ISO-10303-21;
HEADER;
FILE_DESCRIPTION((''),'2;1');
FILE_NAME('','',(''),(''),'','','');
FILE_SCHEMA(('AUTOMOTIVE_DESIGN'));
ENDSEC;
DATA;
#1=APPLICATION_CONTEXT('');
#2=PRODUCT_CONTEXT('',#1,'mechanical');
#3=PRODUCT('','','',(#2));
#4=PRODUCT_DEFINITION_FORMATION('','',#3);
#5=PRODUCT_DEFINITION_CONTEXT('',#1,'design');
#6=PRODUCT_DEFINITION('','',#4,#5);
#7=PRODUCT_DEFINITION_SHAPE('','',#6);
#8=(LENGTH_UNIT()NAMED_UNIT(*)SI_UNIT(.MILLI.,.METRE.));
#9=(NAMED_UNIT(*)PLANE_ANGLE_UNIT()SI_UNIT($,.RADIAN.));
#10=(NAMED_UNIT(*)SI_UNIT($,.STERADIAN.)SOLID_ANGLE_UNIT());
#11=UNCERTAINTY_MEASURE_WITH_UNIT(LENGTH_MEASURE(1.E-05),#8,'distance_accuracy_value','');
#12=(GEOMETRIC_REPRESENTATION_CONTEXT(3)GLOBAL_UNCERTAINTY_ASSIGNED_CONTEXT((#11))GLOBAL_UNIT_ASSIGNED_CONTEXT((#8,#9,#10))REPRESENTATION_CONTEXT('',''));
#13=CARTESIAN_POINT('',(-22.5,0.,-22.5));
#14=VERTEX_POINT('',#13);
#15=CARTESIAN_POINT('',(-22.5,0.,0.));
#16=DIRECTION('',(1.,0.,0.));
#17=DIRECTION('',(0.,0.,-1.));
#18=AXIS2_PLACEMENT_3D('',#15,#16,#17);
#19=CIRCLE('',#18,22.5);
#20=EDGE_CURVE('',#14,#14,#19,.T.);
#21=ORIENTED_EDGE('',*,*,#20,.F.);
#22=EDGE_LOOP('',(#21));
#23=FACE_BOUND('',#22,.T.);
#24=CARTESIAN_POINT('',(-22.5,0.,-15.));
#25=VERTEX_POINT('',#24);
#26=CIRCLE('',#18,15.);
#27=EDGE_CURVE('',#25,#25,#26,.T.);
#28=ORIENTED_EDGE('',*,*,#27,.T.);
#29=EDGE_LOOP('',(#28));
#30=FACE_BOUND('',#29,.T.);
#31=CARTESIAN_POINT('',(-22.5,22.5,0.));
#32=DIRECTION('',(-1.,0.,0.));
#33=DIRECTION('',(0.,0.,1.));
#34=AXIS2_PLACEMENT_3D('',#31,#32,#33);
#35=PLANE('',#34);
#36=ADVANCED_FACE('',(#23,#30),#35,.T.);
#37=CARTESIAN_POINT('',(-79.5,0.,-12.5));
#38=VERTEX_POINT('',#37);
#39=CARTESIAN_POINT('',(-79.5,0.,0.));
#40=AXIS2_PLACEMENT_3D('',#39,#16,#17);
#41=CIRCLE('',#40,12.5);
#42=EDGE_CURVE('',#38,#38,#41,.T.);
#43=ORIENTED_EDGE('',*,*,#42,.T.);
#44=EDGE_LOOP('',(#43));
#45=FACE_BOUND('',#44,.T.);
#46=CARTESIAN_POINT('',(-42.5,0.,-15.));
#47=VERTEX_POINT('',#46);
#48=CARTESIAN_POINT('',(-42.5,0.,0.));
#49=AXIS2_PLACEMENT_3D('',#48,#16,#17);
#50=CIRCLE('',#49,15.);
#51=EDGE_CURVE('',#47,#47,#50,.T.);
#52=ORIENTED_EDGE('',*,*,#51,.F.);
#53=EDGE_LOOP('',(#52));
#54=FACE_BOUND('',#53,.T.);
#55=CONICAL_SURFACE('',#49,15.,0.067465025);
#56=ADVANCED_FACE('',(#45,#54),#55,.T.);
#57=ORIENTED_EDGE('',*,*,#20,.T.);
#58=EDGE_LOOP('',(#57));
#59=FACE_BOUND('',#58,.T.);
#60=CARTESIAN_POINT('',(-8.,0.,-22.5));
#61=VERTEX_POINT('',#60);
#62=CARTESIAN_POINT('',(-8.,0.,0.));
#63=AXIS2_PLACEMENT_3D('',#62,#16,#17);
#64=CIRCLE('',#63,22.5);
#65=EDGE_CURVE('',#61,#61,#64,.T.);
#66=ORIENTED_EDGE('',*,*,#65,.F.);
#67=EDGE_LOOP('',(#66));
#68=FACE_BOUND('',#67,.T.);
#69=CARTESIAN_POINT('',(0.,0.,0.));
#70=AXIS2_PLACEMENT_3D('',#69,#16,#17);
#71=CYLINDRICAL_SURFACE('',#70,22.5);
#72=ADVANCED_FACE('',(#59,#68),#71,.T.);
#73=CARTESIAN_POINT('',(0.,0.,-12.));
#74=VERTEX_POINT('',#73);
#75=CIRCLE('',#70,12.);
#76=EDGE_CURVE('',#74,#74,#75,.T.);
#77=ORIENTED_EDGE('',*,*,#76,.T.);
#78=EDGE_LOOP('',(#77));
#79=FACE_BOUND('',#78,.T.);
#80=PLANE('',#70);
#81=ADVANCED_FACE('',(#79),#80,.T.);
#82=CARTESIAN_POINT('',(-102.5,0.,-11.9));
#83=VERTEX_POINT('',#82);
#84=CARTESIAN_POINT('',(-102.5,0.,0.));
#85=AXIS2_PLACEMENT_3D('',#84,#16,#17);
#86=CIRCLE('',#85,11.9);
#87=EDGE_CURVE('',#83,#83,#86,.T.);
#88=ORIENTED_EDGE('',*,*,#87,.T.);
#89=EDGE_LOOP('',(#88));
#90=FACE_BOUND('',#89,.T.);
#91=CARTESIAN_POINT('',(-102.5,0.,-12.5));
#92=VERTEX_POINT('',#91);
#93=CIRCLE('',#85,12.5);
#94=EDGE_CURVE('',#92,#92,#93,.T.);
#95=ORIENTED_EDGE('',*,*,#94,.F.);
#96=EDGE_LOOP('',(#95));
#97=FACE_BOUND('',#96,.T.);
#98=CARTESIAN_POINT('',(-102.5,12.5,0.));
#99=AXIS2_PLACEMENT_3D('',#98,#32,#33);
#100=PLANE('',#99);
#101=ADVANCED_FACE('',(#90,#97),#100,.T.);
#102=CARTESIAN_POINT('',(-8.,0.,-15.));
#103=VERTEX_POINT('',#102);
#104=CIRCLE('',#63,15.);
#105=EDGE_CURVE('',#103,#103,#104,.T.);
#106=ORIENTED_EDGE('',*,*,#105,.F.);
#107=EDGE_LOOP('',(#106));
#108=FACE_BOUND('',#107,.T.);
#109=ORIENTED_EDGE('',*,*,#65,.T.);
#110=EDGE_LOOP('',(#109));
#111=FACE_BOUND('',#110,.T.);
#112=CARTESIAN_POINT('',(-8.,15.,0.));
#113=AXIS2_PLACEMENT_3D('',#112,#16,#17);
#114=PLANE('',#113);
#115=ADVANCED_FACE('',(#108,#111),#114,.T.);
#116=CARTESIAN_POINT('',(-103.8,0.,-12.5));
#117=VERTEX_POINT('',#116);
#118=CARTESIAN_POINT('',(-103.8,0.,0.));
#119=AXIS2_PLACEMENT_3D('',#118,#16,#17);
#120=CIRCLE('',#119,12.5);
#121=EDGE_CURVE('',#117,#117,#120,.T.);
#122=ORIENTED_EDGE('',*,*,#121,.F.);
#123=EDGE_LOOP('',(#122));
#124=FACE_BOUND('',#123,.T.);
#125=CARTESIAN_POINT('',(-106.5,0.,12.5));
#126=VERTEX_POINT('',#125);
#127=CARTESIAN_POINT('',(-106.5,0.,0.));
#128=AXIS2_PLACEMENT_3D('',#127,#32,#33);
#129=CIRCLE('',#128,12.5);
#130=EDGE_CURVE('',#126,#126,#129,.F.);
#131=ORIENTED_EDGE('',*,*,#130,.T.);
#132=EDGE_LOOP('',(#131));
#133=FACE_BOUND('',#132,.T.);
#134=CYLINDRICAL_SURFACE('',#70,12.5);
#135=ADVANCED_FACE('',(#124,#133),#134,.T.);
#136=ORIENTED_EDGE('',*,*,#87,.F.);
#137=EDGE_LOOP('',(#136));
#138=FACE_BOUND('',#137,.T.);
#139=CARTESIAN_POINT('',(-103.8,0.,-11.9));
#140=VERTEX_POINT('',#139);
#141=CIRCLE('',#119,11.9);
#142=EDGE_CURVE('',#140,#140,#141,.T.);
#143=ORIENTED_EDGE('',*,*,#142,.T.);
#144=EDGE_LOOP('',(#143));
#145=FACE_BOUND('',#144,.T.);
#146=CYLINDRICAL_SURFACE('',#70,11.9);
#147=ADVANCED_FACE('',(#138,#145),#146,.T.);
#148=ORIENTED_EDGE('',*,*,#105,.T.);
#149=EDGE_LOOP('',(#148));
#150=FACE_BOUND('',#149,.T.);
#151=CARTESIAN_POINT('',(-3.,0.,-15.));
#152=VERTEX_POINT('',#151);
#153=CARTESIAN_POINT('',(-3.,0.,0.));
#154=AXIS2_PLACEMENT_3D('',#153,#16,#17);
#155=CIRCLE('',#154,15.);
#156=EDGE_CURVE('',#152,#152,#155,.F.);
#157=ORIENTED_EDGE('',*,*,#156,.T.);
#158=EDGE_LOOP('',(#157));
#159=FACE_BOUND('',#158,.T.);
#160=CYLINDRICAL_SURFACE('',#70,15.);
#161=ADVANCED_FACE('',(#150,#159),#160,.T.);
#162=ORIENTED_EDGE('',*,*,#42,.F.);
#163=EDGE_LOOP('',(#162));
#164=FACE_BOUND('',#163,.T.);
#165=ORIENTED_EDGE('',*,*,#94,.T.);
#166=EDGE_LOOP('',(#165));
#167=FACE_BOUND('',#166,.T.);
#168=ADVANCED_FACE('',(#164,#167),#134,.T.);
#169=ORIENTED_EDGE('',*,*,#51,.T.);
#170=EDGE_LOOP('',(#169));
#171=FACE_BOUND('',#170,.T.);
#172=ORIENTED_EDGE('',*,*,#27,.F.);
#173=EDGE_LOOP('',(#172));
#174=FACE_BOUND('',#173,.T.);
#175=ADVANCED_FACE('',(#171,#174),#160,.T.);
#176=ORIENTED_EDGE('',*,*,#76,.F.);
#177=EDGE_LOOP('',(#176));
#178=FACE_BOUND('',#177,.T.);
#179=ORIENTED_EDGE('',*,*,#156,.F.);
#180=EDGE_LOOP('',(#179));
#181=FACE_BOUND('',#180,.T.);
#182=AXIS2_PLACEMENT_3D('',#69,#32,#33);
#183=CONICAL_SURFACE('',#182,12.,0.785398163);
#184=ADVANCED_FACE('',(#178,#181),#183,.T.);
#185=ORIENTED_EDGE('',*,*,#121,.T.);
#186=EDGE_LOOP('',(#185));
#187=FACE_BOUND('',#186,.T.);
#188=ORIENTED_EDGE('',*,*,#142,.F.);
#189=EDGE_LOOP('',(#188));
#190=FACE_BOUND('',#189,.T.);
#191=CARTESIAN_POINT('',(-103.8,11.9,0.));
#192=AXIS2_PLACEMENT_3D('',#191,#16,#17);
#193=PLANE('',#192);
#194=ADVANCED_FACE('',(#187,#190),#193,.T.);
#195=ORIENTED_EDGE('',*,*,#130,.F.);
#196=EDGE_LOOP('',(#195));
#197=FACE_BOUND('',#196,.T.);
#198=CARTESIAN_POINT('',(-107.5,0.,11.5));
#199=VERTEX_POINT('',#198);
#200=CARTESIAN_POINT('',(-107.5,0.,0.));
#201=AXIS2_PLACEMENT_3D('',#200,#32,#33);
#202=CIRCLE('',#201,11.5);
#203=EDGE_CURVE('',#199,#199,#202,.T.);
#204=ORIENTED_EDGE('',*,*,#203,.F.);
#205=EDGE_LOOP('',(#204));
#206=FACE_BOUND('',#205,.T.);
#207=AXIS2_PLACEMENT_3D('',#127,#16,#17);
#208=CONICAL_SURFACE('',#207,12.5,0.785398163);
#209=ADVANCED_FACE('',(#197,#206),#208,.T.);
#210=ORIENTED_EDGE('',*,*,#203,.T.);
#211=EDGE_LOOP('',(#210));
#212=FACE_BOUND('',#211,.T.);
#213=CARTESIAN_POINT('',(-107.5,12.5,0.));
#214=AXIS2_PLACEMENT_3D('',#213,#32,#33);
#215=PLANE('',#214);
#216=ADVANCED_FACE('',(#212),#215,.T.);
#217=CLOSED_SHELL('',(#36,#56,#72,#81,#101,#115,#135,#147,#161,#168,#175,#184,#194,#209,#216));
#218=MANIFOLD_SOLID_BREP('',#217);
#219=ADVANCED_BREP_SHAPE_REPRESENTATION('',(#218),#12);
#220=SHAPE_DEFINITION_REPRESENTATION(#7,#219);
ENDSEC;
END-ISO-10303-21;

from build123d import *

# Parameters (mm, degrees)
CHANFREIN1_SIZE = 1
CHANFREIN2_SIZE = 3


with BuildPart() as part:
    # Esquisse1 → Révolution1 (revolve)
    with BuildSketch(Plane.XY, mode=Mode.PRIVATE) as r_volution1_sk:
        Polygon((0, 0), (0, 15), (-8, 15), (-8, 22.5), (-22.5, 22.5), (-22.5, 15), (-42.5, 15), (-79.5, 12.5), (-102.5, 12.5), (-102.5, 11.9), (-103.8, 11.9), (-103.8, 12.5), (-107.5, 12.5), (-107.5, 0), align=None)
    revolve(r_volution1_sk.sketch.rotate(Axis((0, 0, 0), (-1, 0, 0)), 90), axis=Axis((0, 0, 0), (-1, 0, 0)))  # turned: the seam where the file's is

    # Chanfrein1
    chanfrein1_edges = [part.edges().sort_by_distance(p)[0] for p in [
        (-107.5, 0, 12.5),
    ]]
    chamfer(chanfrein1_edges, length=CHANFREIN1_SIZE)

    # Chanfrein2
    chanfrein2_edges = [part.edges().sort_by_distance(p)[0] for p in [
        (0, 0, 15),
    ]]
    chamfer(chanfrein2_edges, length=CHANFREIN2_SIZE)


solid = part.part
